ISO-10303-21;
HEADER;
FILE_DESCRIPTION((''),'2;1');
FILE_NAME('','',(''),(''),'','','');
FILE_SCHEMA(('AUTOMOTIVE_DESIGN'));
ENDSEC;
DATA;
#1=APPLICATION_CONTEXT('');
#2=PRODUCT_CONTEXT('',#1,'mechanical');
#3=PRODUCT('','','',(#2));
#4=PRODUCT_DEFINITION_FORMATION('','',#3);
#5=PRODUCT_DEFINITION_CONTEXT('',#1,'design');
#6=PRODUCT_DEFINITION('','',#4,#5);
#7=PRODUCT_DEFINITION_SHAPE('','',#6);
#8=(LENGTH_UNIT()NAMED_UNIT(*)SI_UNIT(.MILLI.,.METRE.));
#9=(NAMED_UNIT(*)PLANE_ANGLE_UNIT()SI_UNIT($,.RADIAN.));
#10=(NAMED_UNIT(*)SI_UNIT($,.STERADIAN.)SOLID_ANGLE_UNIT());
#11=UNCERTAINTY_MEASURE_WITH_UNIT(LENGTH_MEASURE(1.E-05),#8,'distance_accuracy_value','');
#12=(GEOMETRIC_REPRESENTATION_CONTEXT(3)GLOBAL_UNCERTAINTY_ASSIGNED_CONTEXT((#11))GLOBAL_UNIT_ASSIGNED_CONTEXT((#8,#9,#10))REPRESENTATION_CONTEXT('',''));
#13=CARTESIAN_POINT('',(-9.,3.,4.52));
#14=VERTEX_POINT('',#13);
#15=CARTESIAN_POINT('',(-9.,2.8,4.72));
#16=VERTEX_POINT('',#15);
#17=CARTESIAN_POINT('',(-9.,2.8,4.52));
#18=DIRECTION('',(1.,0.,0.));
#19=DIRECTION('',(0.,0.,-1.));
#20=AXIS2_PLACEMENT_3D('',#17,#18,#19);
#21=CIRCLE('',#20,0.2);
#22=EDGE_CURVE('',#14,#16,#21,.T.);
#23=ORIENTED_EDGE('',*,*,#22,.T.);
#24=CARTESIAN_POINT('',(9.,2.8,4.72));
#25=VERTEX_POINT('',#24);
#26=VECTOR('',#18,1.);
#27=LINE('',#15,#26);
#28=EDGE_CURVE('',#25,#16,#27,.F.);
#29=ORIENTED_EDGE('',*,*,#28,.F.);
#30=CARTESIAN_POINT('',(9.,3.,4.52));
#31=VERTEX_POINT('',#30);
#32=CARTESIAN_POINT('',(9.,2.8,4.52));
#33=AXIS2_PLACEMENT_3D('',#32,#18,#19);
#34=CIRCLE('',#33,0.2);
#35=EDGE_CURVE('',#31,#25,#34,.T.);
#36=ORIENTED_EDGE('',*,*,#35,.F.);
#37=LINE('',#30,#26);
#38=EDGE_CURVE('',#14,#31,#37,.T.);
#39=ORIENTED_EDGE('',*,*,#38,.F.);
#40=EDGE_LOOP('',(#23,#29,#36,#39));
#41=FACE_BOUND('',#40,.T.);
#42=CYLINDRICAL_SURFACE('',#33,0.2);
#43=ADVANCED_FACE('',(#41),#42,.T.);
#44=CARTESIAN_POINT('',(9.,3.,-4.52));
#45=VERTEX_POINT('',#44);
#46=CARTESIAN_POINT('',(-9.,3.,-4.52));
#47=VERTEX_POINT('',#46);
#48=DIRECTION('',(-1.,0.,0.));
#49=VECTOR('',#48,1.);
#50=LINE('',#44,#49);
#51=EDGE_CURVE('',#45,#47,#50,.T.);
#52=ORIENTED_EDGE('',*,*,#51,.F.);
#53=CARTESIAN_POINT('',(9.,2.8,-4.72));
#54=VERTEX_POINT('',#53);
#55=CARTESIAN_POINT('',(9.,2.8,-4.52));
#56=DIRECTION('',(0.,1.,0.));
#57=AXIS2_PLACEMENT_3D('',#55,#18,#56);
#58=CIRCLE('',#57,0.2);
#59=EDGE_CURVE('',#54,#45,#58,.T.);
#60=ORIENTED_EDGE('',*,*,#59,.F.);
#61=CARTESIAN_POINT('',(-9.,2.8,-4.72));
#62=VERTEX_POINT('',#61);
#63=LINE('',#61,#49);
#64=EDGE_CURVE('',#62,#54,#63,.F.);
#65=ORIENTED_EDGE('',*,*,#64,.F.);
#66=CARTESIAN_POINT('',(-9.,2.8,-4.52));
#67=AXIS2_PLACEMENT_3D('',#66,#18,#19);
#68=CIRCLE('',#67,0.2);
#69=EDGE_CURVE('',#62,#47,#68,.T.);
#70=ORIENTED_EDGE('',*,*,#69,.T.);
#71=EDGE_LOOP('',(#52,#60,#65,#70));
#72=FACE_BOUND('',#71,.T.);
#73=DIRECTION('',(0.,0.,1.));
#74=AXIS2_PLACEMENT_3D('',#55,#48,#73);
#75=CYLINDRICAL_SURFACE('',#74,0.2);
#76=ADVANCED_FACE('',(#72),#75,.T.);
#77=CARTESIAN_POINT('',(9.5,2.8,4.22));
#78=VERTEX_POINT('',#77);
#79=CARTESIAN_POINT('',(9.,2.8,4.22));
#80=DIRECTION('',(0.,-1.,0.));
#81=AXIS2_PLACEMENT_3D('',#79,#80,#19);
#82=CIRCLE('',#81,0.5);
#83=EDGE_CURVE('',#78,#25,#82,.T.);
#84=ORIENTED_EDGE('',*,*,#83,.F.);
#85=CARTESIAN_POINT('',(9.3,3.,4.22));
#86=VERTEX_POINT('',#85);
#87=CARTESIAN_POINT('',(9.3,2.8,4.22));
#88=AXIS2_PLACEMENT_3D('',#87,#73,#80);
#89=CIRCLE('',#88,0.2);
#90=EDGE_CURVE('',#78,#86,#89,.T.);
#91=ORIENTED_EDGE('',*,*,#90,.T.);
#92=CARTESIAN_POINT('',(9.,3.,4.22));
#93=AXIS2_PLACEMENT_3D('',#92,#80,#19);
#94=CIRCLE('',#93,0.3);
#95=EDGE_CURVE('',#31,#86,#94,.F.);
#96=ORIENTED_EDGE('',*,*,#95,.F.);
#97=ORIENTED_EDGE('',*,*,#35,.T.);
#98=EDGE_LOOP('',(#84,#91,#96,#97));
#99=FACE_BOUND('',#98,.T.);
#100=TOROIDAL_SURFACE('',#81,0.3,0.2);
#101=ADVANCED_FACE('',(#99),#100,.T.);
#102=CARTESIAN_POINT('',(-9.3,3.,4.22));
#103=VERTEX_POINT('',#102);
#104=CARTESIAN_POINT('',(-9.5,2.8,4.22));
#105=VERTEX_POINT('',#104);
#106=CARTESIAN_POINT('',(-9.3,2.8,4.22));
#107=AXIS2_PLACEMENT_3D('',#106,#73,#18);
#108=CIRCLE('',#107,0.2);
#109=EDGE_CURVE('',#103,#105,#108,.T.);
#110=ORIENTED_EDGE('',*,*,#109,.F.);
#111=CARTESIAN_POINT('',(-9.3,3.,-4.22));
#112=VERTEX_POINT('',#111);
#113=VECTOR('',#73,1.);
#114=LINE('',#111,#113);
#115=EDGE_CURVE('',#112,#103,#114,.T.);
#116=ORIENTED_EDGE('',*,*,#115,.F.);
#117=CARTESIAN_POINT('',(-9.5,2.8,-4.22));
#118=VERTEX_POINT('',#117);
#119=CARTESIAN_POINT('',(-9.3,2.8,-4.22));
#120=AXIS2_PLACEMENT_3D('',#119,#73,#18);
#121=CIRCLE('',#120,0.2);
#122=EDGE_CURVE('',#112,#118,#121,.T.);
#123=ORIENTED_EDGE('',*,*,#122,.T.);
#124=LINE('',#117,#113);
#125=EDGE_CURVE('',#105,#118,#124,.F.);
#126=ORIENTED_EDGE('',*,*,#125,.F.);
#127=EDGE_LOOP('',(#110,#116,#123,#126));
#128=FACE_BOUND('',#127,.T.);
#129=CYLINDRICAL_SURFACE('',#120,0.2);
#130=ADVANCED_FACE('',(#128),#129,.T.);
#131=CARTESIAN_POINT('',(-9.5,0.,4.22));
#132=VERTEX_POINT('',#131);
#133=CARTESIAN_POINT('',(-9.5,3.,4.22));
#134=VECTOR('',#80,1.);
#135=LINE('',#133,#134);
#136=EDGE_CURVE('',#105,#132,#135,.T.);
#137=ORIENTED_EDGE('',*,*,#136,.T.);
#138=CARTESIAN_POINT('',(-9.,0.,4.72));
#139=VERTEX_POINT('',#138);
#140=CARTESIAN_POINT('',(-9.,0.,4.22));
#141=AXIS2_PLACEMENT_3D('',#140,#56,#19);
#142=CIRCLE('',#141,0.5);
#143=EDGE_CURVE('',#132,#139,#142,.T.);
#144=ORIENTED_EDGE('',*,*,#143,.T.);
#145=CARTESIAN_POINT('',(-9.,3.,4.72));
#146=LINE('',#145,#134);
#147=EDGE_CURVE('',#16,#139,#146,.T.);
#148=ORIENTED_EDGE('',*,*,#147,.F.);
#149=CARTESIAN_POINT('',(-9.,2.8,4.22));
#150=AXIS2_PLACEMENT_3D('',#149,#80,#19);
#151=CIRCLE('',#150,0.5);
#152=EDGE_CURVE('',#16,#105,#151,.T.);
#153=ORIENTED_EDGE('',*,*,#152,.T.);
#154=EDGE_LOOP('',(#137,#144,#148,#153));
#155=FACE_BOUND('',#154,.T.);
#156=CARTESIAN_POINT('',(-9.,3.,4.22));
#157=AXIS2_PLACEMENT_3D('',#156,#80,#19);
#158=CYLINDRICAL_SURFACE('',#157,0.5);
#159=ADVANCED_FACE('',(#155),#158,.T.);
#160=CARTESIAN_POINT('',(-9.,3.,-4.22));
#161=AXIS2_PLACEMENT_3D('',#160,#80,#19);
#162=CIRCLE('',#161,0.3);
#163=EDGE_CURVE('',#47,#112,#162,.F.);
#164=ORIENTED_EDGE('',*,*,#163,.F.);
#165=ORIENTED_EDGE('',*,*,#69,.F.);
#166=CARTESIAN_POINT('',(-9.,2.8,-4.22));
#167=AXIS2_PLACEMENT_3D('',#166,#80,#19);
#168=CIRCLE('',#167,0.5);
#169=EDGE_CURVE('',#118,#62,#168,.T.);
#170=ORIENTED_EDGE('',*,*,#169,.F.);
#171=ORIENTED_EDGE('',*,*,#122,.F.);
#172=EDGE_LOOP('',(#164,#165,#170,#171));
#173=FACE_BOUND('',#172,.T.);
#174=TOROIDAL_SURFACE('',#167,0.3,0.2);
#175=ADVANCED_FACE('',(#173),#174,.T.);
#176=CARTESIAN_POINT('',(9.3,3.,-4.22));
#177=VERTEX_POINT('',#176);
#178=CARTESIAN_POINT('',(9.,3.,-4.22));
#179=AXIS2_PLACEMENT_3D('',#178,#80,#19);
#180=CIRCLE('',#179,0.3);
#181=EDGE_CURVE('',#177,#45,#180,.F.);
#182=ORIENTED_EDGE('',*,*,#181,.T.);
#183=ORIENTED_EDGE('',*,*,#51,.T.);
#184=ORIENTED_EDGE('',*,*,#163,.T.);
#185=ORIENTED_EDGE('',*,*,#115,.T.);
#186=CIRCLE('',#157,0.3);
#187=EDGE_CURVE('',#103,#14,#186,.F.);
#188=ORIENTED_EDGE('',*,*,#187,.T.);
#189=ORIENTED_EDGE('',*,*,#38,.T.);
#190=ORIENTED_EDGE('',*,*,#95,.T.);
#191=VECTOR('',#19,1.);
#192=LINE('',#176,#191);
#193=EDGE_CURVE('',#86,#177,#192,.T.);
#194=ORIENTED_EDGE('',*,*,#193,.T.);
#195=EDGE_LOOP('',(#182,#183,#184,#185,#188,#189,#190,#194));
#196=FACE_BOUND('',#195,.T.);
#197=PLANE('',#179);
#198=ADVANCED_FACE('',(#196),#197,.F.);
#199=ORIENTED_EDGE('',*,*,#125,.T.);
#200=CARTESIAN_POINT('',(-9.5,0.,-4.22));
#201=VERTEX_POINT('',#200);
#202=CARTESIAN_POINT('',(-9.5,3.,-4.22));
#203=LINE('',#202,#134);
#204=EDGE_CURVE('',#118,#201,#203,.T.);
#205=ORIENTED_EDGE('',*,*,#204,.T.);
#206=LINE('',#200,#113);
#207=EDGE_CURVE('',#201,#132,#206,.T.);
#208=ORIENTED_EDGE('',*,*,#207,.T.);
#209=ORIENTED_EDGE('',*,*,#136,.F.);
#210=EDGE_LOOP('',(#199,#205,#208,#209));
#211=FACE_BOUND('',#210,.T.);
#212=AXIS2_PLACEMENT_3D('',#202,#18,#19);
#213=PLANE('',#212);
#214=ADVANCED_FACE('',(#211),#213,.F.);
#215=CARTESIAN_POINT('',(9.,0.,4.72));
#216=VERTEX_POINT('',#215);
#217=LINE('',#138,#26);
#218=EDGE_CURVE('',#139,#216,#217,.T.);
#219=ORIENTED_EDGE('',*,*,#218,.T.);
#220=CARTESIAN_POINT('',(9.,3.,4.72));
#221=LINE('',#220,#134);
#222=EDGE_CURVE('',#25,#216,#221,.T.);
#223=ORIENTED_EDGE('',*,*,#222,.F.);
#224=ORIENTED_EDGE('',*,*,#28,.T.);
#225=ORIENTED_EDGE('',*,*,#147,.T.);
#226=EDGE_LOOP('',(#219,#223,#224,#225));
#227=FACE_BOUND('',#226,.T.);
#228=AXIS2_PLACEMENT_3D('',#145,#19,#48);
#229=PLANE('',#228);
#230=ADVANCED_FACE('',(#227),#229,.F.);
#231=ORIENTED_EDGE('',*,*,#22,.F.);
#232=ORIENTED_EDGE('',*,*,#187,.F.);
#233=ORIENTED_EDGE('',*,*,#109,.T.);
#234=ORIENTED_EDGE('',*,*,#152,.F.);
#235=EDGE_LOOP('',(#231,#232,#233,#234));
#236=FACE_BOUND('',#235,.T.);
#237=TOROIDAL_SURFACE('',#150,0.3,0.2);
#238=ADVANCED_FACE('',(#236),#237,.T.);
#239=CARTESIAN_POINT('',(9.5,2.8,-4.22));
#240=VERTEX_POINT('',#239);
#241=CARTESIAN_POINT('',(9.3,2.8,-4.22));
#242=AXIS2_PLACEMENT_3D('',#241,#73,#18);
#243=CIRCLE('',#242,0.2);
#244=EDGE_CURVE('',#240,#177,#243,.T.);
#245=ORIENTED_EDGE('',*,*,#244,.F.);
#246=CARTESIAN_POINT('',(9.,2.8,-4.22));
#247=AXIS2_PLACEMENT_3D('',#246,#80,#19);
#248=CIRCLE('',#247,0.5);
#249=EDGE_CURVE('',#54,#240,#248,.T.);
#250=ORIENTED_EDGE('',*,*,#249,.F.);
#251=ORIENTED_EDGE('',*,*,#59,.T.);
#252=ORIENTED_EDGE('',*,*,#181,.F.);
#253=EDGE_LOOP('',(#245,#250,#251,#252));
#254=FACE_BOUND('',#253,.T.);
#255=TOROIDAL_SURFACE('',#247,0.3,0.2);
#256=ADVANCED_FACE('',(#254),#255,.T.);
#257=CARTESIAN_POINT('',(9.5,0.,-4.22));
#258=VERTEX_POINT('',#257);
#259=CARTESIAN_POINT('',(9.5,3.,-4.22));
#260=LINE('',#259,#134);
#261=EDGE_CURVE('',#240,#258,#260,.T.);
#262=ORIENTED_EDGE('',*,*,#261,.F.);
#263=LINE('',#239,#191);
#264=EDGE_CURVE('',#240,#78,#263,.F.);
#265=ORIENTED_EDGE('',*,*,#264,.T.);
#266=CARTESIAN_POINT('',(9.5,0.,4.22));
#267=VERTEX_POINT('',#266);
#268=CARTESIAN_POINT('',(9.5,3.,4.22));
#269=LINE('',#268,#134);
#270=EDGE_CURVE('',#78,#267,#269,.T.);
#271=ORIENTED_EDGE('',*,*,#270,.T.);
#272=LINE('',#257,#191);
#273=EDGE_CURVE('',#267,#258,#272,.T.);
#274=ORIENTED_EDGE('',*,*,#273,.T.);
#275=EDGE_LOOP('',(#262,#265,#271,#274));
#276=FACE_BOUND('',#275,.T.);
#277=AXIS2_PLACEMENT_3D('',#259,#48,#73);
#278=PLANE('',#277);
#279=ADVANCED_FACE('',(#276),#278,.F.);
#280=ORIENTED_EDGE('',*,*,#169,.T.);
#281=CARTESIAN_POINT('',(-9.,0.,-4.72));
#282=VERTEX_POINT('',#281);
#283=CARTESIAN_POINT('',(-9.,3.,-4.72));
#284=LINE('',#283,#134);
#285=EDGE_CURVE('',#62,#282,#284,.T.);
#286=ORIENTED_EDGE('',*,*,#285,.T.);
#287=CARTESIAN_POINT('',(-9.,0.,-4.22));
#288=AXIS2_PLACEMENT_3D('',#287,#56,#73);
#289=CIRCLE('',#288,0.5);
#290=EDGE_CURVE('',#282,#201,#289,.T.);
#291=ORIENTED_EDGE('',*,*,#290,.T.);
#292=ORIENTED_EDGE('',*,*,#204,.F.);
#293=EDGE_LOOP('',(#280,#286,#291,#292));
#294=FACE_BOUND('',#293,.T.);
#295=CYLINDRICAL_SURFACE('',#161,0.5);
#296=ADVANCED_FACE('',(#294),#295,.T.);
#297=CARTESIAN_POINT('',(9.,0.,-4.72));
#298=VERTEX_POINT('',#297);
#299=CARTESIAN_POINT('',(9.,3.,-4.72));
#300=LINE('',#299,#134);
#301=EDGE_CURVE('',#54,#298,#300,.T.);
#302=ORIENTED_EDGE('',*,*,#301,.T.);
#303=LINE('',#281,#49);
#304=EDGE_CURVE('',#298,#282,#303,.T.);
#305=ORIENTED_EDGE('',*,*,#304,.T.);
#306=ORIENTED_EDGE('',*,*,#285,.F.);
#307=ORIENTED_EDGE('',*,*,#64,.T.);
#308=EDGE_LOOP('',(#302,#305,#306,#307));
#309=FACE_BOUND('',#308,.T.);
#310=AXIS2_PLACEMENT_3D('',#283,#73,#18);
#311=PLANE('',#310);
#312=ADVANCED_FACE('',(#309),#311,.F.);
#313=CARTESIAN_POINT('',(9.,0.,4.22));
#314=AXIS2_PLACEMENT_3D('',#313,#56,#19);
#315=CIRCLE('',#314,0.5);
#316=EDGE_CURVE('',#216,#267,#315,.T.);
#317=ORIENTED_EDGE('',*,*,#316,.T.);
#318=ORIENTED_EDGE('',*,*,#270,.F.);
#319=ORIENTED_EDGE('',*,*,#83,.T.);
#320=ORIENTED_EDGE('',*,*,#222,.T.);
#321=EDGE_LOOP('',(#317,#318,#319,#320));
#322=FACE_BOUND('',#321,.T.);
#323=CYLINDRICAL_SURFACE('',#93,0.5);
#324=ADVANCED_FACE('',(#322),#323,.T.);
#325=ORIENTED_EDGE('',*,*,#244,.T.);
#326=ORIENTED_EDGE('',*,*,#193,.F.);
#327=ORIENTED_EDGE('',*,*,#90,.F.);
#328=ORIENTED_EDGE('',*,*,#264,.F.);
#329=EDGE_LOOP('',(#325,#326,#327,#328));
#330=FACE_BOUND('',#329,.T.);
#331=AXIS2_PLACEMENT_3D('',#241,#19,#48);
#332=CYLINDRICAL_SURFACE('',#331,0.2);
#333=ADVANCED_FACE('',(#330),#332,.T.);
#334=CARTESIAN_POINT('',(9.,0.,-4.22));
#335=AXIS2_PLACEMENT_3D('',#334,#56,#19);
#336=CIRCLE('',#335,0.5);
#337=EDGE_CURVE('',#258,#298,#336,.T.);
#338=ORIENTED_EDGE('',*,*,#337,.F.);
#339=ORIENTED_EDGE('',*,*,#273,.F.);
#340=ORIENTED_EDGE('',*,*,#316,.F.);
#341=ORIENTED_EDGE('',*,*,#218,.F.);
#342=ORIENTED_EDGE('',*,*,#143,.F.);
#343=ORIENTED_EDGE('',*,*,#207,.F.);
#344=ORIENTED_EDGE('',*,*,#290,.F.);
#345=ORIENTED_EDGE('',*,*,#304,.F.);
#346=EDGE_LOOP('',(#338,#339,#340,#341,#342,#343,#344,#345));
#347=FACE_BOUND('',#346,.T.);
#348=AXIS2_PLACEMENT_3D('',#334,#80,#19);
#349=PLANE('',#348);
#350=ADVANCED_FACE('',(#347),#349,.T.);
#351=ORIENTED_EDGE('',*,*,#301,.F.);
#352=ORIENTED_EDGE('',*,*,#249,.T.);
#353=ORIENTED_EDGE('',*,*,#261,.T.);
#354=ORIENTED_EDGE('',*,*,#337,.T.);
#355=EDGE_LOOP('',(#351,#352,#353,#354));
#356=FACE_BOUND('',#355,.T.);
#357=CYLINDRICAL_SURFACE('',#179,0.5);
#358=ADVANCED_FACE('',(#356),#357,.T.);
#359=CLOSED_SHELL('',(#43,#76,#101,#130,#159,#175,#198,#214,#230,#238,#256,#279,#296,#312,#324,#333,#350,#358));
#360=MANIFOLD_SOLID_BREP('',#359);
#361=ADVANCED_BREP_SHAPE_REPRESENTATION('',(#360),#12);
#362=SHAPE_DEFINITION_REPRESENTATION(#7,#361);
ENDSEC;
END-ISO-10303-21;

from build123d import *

# Parameters (mm, degrees)
EXTRUDE_1_DEPTH = 3
FILLET_1_R      = 0.2


with BuildPart() as part:
    # Эскиз1 → Бобышка-Вытянуть1 (new body)
    with BuildSketch(Plane(origin=(0, 0, 0), x_dir=(1, 0, 0), z_dir=(0, 1, 0))):
        with BuildLine():
            Line((-9, 4.72), (9, 4.72))
            ThreePointArc((9, 4.72), (9.353553391, 4.573553391), (9.5, 4.22))
            Line((9.5, 4.22), (9.5, -4.22))
            ThreePointArc((9.5, -4.22), (9.353553391, -4.573553391), (9, -4.72))
            Line((9, -4.72), (-9, -4.72))
            ThreePointArc((-9, -4.72), (-9.353553391, -4.573553391), (-9.5, -4.22))
            Line((-9.5, -4.22), (-9.5, 4.22))
            ThreePointArc((-9.5, 4.22), (-9.353553391, 4.573553391), (-9, 4.72))
        make_face()
    extrude(amount=EXTRUDE_1_DEPTH)

    # Скругление1
    fillet_1_edges = [part.edges().sort_by_distance(p)[0] for p in [
        (-9.353553391, 3, -4.573553391),
        (-9.5, 3, 0),
        (-9.353553391, 3, 4.573553391),
        (0, 3, 4.72),
        (9.353553391, 3, 4.573553391),
        (9.5, 3, 0),
        (9.353553391, 3, -4.573553391),
        (0, 3, -4.72),
    ]]
    fillet(fillet_1_edges, radius=FILLET_1_R)


solid = part.part
